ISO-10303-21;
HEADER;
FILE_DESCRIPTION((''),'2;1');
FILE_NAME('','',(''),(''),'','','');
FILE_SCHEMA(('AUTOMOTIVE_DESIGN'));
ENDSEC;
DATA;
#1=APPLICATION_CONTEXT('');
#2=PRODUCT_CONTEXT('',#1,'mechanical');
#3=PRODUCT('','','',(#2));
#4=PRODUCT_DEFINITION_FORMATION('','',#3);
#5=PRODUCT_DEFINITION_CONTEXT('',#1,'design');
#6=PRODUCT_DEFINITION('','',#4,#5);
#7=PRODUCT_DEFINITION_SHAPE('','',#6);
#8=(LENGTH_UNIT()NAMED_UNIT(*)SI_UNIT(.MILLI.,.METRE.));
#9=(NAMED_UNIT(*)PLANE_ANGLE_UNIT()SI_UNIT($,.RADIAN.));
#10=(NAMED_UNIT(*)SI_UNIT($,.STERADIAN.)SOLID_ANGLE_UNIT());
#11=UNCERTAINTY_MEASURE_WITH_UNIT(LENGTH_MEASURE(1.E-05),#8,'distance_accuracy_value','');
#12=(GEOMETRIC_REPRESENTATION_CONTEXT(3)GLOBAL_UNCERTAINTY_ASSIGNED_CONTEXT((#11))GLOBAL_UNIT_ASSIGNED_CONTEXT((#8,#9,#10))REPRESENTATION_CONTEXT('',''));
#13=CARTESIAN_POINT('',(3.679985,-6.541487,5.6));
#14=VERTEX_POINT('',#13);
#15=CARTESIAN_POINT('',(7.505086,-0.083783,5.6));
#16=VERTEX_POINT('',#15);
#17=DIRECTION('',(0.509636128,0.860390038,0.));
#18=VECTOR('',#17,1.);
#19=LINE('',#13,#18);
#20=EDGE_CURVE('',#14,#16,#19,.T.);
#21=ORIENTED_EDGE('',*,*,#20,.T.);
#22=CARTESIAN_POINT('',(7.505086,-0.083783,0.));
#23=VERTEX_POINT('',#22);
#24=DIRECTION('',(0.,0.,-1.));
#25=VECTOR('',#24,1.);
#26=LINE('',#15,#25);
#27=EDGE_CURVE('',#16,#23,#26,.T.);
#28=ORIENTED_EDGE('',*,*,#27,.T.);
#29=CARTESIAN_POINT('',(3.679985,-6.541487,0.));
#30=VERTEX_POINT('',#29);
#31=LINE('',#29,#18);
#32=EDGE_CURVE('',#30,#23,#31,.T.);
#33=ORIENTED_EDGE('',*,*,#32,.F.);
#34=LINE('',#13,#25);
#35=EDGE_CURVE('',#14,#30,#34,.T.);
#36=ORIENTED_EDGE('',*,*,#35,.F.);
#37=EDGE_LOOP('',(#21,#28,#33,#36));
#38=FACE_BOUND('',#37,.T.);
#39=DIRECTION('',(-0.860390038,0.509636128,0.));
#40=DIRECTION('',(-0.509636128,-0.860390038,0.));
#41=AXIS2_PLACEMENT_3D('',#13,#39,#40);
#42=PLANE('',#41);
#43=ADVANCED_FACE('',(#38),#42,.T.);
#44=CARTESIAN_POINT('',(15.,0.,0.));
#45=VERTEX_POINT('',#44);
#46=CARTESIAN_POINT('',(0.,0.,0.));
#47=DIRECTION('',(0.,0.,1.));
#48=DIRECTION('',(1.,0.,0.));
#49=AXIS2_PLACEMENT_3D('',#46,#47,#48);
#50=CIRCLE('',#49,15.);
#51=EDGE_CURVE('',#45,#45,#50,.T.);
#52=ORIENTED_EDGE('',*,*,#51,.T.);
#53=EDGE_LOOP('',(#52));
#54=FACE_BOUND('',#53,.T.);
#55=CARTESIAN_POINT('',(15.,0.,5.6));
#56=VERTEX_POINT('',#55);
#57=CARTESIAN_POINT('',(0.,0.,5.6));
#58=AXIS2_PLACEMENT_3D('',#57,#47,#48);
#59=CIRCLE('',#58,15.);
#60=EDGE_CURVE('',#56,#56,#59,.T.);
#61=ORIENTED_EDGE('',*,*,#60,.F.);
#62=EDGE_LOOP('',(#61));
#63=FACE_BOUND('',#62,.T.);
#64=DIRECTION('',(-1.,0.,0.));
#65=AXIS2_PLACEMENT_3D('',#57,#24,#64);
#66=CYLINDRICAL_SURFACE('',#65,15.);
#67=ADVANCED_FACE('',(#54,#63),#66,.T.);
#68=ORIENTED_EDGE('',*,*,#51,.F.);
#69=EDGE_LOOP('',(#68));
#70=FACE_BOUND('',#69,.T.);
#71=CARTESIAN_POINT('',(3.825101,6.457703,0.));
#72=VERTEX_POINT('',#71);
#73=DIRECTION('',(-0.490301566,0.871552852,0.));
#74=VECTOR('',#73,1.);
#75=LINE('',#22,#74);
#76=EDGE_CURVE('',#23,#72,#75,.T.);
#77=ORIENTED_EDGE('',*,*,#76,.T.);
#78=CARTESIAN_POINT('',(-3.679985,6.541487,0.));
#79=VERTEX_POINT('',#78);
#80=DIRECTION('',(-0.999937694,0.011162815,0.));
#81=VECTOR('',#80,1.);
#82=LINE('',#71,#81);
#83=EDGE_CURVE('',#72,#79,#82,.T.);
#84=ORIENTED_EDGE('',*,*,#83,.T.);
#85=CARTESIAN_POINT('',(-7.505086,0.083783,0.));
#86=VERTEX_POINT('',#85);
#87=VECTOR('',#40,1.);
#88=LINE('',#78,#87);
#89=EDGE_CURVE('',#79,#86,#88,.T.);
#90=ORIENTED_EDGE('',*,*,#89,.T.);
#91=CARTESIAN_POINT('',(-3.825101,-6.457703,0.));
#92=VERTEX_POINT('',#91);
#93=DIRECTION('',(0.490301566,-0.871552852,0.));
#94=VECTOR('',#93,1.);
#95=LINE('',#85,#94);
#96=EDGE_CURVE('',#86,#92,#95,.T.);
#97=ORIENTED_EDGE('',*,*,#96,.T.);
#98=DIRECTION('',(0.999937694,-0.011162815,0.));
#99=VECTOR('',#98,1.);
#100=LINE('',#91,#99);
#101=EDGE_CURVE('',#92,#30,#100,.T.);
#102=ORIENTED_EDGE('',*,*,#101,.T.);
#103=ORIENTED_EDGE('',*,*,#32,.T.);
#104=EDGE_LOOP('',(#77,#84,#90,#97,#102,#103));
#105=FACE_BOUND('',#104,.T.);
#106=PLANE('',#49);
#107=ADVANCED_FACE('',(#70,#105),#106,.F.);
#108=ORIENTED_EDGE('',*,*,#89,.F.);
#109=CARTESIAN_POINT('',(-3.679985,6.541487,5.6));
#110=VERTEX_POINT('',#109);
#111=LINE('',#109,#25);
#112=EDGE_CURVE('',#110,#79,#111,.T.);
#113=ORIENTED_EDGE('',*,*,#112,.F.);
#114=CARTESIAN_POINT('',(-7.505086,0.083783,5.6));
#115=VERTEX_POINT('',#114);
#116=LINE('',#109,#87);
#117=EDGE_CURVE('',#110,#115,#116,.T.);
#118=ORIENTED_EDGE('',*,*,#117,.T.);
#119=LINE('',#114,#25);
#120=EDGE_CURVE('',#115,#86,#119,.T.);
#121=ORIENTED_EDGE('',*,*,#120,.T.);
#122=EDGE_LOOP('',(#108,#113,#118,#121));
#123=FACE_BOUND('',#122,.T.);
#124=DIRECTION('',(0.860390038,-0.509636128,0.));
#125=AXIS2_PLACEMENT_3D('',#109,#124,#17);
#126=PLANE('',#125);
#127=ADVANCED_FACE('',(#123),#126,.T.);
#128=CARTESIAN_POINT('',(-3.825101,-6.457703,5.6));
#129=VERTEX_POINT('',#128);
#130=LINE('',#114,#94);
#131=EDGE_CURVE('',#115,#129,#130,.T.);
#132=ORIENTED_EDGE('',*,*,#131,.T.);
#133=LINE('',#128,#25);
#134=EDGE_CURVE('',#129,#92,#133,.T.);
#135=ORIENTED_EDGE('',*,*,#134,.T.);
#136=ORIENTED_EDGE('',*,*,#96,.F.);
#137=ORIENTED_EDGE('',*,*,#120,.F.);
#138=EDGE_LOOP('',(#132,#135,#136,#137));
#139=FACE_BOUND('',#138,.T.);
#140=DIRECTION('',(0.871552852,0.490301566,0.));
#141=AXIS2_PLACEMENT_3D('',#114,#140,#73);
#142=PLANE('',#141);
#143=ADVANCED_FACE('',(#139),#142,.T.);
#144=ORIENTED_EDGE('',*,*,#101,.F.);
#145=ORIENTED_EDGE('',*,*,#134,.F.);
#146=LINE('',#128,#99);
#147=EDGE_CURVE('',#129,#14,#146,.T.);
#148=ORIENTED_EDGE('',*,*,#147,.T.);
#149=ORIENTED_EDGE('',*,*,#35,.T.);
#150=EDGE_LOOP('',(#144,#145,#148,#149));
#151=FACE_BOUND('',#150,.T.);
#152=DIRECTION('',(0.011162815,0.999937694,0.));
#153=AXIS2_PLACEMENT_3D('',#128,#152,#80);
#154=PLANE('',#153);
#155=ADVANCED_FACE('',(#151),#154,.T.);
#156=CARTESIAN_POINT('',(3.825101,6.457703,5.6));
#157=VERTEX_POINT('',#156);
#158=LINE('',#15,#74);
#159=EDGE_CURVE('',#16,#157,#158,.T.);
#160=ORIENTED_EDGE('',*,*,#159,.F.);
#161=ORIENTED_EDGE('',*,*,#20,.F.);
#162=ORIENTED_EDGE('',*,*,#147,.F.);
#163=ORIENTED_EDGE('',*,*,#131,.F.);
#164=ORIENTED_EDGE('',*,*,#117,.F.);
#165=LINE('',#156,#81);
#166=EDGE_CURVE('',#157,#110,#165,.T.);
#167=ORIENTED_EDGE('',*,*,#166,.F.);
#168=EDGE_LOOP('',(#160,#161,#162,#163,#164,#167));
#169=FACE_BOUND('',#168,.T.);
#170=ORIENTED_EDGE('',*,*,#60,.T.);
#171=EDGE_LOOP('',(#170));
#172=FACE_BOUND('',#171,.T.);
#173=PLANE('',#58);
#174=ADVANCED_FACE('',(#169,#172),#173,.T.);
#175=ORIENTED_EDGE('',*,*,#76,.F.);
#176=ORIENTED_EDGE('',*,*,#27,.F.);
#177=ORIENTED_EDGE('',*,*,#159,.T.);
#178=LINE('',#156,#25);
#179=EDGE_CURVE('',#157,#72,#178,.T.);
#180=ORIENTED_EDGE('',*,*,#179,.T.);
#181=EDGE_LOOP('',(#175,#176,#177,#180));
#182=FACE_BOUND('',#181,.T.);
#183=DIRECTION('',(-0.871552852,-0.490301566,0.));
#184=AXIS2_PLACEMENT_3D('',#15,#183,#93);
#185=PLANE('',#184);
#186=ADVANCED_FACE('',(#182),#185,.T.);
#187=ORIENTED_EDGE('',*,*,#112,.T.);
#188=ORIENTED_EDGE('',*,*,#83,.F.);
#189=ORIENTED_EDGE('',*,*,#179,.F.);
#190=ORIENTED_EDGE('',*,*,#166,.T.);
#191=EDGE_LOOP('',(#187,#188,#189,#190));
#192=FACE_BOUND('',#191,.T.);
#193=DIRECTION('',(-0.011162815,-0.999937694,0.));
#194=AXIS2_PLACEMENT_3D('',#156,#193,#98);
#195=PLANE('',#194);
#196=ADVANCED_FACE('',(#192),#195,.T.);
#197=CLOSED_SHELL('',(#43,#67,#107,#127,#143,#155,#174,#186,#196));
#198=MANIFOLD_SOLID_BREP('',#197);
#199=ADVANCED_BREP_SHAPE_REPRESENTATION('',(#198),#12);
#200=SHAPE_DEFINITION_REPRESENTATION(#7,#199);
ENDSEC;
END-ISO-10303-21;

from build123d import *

# Parameters (mm, degrees)
CROQUIS1_R              = 15
SALIENTE_EXTRUIR1_DEPTH = 5.6


with BuildPart() as part:
    # Croquis1 → Saliente-Extruir1 (new body)
    with BuildSketch(Plane.XY):
        Circle(CROQUIS1_R)
        Polygon((3.679984632, -6.541486562), (7.505085857, -0.083783104), (3.825101225, 6.457703458), (-3.679984632, 6.541486562), (-7.505085857, 0.083783104), (-3.825101225, -6.457703458), align=None, mode=Mode.SUBTRACT)
    extrude(amount=SALIENTE_EXTRUIR1_DEPTH)


solid = part.part
